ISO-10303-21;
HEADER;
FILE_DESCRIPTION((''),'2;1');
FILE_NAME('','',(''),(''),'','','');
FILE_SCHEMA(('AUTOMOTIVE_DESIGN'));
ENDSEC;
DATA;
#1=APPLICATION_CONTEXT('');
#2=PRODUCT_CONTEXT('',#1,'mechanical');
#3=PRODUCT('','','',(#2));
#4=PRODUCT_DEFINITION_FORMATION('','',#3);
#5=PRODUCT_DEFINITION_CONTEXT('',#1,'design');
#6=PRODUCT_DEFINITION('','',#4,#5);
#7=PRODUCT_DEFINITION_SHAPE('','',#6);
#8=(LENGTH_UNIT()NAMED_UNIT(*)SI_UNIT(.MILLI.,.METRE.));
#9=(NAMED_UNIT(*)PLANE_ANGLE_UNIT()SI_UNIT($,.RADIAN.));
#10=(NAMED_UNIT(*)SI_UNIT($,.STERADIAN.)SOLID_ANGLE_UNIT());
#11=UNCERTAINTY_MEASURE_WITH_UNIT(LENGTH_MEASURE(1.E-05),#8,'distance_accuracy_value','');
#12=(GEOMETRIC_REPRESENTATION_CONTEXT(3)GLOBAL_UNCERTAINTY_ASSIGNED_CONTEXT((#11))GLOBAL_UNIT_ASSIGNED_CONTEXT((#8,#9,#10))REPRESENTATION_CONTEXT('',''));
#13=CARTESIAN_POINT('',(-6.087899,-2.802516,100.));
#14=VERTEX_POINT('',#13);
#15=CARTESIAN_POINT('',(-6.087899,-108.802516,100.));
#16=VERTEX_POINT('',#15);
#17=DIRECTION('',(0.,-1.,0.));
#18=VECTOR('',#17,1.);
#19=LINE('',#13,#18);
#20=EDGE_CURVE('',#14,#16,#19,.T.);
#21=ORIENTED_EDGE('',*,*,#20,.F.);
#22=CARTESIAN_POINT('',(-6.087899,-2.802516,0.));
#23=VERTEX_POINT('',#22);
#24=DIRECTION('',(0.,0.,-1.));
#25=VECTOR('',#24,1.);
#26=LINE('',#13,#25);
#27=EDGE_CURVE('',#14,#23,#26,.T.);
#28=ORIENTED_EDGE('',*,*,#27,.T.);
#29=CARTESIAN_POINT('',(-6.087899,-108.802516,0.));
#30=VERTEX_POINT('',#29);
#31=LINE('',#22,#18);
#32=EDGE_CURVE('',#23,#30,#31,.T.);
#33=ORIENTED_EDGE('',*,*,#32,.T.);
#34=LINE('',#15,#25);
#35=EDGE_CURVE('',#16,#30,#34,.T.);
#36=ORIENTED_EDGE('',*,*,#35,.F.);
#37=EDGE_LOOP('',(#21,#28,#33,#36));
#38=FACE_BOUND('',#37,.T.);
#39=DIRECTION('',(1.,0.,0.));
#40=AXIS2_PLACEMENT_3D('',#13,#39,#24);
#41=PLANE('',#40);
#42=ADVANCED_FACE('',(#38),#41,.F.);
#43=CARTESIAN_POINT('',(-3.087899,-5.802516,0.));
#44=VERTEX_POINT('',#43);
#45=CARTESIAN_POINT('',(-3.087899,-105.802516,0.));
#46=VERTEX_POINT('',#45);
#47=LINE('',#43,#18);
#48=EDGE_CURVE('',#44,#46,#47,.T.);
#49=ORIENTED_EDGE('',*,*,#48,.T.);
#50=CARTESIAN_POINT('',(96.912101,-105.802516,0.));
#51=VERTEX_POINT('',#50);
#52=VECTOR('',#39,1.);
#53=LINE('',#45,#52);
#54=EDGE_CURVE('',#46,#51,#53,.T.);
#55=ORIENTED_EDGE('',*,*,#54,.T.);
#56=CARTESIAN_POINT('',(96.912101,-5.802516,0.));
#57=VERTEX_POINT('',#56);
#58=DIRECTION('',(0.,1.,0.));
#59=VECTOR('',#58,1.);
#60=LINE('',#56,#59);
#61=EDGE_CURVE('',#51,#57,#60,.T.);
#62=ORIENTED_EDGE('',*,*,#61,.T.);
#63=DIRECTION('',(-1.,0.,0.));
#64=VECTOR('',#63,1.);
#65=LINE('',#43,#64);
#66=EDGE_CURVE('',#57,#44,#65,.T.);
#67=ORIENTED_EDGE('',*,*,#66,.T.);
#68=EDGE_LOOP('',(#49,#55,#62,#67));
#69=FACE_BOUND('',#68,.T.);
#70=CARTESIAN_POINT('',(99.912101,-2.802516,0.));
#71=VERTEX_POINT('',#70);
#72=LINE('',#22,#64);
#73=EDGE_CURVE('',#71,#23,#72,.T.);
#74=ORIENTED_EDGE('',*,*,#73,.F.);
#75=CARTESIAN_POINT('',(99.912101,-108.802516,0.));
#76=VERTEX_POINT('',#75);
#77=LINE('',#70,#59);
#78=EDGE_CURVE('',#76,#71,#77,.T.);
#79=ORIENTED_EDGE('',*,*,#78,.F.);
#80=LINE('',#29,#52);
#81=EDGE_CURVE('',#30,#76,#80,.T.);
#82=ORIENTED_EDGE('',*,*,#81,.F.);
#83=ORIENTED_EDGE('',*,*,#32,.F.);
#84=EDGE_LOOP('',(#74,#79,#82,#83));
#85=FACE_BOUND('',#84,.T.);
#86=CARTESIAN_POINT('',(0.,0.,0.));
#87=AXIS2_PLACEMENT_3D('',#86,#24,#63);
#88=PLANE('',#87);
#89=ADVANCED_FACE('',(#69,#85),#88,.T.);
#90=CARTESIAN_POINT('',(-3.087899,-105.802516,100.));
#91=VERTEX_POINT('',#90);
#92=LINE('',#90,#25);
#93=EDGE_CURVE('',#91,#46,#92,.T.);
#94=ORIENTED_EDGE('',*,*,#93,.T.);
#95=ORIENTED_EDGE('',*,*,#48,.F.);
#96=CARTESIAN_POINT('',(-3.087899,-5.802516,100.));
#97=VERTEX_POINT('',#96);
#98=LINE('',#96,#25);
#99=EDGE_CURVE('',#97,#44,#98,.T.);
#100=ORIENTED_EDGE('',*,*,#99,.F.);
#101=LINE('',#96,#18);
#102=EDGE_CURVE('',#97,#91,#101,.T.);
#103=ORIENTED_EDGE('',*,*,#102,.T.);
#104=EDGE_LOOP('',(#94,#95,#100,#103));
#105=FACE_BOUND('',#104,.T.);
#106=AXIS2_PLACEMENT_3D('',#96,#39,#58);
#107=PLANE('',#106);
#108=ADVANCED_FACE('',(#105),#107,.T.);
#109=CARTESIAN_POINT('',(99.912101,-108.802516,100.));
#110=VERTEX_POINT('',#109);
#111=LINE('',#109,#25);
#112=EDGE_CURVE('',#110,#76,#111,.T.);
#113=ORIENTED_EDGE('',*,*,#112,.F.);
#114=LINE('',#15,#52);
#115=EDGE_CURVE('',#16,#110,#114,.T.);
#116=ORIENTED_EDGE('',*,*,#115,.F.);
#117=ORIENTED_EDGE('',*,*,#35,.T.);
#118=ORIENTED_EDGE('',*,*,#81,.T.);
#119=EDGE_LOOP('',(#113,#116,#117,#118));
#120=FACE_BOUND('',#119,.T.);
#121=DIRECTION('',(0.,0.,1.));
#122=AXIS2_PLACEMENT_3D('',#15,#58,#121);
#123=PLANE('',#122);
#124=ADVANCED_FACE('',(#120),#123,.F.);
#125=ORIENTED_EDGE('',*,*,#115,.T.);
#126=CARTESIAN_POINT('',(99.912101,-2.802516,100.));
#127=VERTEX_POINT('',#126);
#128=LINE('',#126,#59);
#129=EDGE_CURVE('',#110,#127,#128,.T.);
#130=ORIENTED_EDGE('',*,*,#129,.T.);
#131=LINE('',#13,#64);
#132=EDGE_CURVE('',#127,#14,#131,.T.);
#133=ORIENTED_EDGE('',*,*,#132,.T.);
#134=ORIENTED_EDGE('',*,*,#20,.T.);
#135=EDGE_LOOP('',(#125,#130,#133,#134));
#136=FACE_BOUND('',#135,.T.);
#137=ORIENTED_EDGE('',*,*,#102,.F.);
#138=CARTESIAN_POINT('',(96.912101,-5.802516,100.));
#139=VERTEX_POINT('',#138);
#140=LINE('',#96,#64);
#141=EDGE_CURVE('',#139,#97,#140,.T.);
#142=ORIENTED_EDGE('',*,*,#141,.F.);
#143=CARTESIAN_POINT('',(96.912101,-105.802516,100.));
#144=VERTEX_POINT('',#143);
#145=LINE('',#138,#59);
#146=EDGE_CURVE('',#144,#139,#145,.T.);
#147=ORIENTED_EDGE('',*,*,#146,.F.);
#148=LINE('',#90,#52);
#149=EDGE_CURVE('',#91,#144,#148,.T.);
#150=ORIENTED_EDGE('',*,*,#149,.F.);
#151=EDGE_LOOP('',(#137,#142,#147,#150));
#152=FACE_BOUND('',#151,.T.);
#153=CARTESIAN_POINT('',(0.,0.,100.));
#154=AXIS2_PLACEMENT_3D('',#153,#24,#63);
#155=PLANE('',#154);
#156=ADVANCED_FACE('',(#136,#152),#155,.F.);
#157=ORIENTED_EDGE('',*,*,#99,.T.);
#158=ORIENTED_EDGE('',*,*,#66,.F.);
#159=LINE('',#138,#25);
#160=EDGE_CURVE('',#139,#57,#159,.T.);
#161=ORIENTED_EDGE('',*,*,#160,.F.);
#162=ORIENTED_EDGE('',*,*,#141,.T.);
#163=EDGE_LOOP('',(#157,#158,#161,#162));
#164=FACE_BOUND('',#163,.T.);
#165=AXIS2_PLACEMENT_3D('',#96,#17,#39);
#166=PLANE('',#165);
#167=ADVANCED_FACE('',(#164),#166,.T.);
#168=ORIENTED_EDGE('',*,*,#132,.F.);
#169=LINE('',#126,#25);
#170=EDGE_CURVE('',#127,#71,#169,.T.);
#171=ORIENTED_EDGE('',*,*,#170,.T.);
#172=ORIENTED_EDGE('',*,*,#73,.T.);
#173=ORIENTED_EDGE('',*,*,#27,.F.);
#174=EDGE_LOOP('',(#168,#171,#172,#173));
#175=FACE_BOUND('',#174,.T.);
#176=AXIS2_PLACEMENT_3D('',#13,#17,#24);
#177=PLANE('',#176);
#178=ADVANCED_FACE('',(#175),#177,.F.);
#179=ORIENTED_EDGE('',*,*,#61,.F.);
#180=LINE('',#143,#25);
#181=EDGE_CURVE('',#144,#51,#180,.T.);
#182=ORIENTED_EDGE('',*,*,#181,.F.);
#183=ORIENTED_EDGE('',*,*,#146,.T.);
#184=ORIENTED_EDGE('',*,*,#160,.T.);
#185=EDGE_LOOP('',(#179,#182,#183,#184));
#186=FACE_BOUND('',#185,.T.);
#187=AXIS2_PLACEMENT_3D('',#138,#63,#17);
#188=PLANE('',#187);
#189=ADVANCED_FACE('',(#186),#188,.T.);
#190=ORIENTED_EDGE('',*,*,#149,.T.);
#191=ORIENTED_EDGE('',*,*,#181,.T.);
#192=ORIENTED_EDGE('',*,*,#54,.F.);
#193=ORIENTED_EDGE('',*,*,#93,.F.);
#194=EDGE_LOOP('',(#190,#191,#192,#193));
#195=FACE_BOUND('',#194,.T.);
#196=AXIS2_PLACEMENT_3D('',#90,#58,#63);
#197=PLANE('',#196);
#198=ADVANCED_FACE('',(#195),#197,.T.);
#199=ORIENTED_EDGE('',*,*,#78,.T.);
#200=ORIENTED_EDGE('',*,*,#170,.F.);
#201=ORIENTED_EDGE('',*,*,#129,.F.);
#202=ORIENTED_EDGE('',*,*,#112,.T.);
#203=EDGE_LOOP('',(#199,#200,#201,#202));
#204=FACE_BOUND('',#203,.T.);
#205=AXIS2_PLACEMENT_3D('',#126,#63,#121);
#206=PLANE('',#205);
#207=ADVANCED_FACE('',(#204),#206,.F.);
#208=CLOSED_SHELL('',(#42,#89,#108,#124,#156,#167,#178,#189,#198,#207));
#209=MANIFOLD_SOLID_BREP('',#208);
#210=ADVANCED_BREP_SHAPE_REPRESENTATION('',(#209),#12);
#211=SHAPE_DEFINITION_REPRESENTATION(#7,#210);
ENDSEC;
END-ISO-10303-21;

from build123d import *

# Parameters (mm, degrees)
CROQUIS1_W              = 106
CROQUIS1_H              = 106
CROQUIS1_W_2            = 100
CROQUIS1_H_2            = 100
SALIENTE_EXTRUIR1_DEPTH = 100


with BuildPart() as part:
    # Croquis1 → Saliente-Extruir1 (new body)
    with BuildSketch(Plane.XY):
        with Locations((46.912101473, -55.802516219)):
            Rectangle(CROQUIS1_W, CROQUIS1_H)
        with Locations((46.912101473, -55.802516219)):
            Rectangle(CROQUIS1_W_2, CROQUIS1_H_2, mode=Mode.SUBTRACT)
    extrude(amount=SALIENTE_EXTRUIR1_DEPTH)


solid = part.part
